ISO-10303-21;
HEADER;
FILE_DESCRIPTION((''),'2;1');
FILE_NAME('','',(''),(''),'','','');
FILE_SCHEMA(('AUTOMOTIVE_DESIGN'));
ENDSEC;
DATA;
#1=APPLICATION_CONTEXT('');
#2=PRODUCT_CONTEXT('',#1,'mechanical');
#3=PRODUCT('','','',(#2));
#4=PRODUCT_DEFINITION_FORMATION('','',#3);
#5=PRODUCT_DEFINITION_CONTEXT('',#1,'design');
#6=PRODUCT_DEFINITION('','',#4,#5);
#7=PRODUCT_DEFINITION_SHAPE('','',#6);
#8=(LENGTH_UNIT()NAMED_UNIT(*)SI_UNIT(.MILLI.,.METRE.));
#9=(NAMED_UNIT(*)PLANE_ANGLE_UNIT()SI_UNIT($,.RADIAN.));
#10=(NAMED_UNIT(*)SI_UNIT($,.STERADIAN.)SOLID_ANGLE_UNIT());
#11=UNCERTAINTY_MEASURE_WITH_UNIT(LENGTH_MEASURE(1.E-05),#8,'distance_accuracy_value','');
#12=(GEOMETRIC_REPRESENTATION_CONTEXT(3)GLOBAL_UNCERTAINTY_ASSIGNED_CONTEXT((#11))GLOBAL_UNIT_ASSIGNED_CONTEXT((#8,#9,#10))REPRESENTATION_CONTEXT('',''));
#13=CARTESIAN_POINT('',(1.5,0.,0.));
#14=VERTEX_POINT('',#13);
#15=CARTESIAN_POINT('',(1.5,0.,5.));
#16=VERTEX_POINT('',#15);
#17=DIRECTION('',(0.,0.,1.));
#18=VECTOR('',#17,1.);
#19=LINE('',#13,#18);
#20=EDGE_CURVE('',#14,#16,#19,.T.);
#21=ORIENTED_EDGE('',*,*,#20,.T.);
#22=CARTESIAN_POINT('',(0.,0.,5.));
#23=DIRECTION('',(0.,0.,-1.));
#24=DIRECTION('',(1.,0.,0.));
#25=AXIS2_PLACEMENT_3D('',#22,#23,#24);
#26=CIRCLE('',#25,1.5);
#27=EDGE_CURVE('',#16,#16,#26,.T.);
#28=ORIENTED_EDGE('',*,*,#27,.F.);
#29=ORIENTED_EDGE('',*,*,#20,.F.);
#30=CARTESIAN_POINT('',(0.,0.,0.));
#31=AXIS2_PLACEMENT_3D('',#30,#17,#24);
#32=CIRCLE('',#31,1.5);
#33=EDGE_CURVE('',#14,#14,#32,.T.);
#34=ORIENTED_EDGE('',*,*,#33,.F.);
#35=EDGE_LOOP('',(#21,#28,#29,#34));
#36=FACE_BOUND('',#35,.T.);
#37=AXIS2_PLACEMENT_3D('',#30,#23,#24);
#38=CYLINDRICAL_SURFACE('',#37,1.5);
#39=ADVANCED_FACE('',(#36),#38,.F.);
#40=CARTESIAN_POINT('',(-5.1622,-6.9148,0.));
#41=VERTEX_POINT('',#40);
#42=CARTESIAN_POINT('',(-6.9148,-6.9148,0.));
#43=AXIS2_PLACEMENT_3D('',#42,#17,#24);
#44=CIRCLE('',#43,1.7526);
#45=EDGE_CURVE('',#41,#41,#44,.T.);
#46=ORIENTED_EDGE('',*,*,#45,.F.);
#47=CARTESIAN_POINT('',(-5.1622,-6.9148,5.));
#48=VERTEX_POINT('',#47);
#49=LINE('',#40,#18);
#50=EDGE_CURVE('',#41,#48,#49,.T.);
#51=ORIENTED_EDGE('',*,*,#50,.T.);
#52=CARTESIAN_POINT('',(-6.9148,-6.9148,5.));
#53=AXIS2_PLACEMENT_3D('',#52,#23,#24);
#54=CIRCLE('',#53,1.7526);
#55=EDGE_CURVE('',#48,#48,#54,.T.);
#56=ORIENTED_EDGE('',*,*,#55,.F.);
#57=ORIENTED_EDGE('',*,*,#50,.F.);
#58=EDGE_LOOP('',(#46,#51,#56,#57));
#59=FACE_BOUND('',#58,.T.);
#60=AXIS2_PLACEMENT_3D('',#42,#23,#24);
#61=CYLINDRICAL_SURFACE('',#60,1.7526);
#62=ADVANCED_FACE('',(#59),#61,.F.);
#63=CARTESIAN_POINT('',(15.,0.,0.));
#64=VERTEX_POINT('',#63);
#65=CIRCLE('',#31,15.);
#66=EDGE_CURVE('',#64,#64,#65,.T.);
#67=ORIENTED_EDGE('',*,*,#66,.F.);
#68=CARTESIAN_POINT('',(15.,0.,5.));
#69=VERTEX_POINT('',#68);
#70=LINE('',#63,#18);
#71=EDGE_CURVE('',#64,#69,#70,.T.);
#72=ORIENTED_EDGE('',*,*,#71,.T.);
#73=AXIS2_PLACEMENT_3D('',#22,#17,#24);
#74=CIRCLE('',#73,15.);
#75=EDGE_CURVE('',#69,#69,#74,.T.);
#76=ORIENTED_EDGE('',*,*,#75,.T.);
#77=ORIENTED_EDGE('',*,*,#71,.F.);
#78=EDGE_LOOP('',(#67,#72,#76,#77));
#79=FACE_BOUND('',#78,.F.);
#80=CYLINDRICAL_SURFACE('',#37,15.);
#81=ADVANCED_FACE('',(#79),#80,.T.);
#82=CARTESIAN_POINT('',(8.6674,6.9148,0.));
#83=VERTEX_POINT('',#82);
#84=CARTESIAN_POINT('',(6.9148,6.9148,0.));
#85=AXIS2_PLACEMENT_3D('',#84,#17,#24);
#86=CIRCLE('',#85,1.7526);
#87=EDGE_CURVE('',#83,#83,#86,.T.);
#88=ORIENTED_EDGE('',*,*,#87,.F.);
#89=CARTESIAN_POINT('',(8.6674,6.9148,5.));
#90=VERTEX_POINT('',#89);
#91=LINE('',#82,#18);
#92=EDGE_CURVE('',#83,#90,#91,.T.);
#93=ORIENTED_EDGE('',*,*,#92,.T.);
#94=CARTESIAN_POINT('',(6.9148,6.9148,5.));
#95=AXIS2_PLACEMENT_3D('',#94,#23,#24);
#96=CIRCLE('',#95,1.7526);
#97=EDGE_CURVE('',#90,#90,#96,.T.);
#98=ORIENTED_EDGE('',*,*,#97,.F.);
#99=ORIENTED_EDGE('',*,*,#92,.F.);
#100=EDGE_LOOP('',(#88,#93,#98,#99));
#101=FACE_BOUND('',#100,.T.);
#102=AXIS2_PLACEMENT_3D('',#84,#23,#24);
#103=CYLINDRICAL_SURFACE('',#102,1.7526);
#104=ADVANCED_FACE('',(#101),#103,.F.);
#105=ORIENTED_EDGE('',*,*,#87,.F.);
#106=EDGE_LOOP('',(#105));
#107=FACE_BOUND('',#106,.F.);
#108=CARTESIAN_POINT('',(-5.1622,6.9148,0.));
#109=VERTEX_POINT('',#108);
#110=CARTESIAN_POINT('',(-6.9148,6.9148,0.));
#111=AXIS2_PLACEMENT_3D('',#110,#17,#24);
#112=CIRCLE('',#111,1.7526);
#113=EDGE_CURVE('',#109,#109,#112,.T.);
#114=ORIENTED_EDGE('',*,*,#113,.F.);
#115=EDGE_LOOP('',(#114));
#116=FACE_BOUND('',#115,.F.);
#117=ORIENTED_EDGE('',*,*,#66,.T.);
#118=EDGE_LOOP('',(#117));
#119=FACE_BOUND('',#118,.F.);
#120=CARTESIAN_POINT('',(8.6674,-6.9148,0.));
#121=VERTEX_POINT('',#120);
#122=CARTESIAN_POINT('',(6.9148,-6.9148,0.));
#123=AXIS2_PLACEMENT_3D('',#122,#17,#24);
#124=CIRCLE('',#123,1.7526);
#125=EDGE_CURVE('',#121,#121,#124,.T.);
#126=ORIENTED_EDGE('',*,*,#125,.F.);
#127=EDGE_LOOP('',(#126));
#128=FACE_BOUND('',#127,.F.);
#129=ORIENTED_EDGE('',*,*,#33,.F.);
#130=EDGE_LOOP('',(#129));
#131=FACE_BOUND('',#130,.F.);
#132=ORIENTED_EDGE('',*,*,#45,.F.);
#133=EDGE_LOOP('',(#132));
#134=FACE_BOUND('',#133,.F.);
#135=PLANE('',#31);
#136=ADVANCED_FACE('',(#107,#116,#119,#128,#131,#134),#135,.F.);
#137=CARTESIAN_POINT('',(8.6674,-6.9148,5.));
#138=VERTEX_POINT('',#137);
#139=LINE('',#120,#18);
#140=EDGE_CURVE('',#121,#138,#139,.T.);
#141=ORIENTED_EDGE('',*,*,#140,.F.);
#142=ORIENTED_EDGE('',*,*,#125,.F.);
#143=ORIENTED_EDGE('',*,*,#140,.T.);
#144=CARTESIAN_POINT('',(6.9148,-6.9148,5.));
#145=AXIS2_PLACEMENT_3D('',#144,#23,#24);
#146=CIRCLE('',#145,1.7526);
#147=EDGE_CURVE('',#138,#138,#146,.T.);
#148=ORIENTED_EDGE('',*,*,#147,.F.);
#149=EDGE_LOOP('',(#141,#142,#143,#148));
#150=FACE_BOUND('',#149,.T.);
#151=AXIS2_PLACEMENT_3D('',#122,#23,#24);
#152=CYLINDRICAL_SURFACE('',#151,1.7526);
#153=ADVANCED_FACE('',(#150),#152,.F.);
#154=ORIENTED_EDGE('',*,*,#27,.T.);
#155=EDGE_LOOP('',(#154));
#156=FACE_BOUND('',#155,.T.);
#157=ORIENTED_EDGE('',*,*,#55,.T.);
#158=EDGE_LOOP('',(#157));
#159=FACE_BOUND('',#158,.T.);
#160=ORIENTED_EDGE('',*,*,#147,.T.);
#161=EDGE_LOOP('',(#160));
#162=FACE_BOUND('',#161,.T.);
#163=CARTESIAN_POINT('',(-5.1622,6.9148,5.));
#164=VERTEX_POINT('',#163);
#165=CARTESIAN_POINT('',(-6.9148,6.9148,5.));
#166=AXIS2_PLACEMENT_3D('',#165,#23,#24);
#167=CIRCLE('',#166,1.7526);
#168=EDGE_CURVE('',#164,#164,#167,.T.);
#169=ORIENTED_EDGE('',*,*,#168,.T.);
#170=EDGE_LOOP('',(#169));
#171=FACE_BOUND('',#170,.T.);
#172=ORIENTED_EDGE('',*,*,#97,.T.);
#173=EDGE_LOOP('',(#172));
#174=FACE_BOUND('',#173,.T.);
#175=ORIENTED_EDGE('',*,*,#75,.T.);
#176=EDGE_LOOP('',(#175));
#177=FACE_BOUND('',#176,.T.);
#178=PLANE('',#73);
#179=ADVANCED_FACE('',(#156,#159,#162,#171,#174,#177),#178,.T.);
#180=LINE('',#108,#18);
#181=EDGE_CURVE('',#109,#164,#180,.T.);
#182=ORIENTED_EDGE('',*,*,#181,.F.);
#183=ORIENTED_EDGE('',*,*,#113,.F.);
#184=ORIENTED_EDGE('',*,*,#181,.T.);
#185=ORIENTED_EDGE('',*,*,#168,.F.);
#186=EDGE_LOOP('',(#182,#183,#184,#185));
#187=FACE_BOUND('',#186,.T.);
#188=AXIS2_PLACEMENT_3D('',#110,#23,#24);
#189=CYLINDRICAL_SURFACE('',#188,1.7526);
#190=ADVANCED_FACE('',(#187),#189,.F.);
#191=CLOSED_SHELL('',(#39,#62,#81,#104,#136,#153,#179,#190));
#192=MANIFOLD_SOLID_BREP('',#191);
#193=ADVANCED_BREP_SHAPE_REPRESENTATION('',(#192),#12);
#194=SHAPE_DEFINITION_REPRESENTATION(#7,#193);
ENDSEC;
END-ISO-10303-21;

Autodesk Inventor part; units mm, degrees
ref_plane "YZ Plane" through (0, 0, 0) normal (1, 0, 0) x (0, 1, 0)
ref_plane "XZ Plane" through (0, 0, 0) normal (0, 1, 0) x (-1, 0, 0)
ref_plane "XY Plane" through (0, 0, 0) normal (0, 0, 1) x (1, 0, 0)
sketch "Sketch1" plane through (0, 0, 0) normal (0, 0, 1) x (1, 0, 0)
  circle A0 centre (0, 0) radius 15
  line L0 (-73.4722, 0) -> (96.5278, 0) construction
  line L1 (0, 0) -> (0, 31) construction
  circle A1 centre (0, 0) radius 1.5
  circle A2 centre (-6.9148, 6.9148) radius 1.7526
  line L2 (0, 0) -> (-14.5685, 14.5685) construction
  circle A3 centre (-6.9148, -6.9148) radius 1.7526
  circle A4 centre (6.9148, -6.9148) radius 1.7526
  circle A5 centre (6.9148, 6.9148) radius 1.7526
  point P0 (0, 0)
  dimension "d4" = 30
  dimension "d10" = 3
  dimension "d11" = 3.5052
  dimension "d12" = 45
  dimension "d13" = 6.9148
  dimension "d16" = 360
extrude "Extrusion1" add sketch "Sketch1" along normal blind 5 contours A0 | A1 | A2 | A3 | A4 | A5
extrude "Extrusion2" cut sketch "Sketch1" along normal through all contours A1 | A2 | A3 | A4 | A5
equation "\"BendRadius\" = Thickness"
equation "\"BendReliefWidth\" = Thickness"
equation "\"BendReliefDepth\" = 0.5 * Thickness"
equation "\"CornerReliefSize\" = 4 * Thickness"
equation "\"MinimumRemnant\" = 2 * Thickness"
equation "\"TransitionRadius\" = BendRadius"
equation "\"JacobiRadiusSize\" = Thickness"
equation "\"GapSize\" = Thickness"
equation "\"Thickness\" = 0.5"
properties part number "encoder_spacer"
